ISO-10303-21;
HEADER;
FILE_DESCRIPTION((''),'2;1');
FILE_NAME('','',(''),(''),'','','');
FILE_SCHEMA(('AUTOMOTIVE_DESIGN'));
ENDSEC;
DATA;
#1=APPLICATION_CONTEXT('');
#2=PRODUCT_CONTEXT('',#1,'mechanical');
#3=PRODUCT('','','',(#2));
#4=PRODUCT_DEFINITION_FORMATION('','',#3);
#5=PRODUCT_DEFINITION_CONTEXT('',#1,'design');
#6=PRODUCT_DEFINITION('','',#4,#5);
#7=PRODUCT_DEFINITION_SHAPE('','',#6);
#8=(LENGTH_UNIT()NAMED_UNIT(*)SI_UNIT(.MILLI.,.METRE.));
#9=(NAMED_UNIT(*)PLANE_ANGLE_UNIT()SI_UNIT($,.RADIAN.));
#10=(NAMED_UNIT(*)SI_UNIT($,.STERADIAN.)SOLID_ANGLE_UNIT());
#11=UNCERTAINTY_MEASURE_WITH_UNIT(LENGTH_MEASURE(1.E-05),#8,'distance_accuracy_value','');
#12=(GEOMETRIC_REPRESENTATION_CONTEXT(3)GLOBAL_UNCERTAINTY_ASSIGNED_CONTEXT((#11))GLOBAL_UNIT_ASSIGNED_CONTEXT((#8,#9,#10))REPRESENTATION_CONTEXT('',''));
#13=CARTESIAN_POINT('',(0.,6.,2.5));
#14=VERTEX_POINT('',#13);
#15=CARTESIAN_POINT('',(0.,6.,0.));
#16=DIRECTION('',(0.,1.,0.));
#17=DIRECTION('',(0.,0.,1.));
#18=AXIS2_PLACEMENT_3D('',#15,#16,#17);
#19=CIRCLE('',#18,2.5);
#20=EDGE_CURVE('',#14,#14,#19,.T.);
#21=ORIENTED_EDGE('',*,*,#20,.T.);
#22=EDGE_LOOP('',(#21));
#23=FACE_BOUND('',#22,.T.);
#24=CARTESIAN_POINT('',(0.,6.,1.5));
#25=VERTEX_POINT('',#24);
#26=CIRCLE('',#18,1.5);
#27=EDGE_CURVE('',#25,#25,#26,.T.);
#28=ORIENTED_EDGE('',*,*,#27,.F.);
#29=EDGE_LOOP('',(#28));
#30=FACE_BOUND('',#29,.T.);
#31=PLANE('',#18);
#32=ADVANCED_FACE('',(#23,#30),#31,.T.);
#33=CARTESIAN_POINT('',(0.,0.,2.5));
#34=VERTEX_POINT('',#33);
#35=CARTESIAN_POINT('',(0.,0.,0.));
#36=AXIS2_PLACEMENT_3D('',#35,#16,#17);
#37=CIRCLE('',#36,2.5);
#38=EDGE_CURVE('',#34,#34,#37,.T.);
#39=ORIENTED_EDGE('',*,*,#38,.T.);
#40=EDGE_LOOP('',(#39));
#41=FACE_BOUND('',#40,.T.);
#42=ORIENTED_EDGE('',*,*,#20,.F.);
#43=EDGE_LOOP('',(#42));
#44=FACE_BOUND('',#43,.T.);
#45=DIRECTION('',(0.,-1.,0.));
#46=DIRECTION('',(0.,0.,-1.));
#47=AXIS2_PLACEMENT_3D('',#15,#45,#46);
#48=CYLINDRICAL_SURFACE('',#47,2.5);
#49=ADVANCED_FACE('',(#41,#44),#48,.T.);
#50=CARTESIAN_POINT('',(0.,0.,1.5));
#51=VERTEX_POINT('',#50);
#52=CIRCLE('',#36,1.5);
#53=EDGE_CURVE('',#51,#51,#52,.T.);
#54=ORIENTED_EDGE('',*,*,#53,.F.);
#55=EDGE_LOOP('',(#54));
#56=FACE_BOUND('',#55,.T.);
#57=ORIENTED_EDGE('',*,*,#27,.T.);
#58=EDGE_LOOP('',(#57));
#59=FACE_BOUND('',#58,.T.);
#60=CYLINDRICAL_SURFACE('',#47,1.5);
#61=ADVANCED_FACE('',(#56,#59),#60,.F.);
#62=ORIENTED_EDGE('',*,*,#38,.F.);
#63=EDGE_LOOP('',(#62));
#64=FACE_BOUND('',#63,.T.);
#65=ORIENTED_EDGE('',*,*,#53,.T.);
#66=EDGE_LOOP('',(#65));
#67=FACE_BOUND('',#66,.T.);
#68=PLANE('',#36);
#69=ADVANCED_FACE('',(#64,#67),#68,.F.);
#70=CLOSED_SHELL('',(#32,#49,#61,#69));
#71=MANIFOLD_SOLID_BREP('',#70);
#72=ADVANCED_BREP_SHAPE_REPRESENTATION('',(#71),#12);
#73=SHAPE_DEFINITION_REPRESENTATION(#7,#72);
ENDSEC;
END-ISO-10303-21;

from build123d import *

# Parameters (mm, degrees)
SKETCH1_R           = 2.5
SKETCH1_R_2         = 1.5
BOSS_EXTRUDE1_DEPTH = 6


with BuildPart() as part:
    # Sketch1 → Boss-Extrude1 (new body)
    with BuildSketch(Plane(origin=(0, 0, 0), x_dir=(1, 0, 0), z_dir=(0, 1, 0))):
        Circle(SKETCH1_R)
        Circle(SKETCH1_R_2, mode=Mode.SUBTRACT)
    extrude(amount=BOSS_EXTRUDE1_DEPTH)


solid = part.part
